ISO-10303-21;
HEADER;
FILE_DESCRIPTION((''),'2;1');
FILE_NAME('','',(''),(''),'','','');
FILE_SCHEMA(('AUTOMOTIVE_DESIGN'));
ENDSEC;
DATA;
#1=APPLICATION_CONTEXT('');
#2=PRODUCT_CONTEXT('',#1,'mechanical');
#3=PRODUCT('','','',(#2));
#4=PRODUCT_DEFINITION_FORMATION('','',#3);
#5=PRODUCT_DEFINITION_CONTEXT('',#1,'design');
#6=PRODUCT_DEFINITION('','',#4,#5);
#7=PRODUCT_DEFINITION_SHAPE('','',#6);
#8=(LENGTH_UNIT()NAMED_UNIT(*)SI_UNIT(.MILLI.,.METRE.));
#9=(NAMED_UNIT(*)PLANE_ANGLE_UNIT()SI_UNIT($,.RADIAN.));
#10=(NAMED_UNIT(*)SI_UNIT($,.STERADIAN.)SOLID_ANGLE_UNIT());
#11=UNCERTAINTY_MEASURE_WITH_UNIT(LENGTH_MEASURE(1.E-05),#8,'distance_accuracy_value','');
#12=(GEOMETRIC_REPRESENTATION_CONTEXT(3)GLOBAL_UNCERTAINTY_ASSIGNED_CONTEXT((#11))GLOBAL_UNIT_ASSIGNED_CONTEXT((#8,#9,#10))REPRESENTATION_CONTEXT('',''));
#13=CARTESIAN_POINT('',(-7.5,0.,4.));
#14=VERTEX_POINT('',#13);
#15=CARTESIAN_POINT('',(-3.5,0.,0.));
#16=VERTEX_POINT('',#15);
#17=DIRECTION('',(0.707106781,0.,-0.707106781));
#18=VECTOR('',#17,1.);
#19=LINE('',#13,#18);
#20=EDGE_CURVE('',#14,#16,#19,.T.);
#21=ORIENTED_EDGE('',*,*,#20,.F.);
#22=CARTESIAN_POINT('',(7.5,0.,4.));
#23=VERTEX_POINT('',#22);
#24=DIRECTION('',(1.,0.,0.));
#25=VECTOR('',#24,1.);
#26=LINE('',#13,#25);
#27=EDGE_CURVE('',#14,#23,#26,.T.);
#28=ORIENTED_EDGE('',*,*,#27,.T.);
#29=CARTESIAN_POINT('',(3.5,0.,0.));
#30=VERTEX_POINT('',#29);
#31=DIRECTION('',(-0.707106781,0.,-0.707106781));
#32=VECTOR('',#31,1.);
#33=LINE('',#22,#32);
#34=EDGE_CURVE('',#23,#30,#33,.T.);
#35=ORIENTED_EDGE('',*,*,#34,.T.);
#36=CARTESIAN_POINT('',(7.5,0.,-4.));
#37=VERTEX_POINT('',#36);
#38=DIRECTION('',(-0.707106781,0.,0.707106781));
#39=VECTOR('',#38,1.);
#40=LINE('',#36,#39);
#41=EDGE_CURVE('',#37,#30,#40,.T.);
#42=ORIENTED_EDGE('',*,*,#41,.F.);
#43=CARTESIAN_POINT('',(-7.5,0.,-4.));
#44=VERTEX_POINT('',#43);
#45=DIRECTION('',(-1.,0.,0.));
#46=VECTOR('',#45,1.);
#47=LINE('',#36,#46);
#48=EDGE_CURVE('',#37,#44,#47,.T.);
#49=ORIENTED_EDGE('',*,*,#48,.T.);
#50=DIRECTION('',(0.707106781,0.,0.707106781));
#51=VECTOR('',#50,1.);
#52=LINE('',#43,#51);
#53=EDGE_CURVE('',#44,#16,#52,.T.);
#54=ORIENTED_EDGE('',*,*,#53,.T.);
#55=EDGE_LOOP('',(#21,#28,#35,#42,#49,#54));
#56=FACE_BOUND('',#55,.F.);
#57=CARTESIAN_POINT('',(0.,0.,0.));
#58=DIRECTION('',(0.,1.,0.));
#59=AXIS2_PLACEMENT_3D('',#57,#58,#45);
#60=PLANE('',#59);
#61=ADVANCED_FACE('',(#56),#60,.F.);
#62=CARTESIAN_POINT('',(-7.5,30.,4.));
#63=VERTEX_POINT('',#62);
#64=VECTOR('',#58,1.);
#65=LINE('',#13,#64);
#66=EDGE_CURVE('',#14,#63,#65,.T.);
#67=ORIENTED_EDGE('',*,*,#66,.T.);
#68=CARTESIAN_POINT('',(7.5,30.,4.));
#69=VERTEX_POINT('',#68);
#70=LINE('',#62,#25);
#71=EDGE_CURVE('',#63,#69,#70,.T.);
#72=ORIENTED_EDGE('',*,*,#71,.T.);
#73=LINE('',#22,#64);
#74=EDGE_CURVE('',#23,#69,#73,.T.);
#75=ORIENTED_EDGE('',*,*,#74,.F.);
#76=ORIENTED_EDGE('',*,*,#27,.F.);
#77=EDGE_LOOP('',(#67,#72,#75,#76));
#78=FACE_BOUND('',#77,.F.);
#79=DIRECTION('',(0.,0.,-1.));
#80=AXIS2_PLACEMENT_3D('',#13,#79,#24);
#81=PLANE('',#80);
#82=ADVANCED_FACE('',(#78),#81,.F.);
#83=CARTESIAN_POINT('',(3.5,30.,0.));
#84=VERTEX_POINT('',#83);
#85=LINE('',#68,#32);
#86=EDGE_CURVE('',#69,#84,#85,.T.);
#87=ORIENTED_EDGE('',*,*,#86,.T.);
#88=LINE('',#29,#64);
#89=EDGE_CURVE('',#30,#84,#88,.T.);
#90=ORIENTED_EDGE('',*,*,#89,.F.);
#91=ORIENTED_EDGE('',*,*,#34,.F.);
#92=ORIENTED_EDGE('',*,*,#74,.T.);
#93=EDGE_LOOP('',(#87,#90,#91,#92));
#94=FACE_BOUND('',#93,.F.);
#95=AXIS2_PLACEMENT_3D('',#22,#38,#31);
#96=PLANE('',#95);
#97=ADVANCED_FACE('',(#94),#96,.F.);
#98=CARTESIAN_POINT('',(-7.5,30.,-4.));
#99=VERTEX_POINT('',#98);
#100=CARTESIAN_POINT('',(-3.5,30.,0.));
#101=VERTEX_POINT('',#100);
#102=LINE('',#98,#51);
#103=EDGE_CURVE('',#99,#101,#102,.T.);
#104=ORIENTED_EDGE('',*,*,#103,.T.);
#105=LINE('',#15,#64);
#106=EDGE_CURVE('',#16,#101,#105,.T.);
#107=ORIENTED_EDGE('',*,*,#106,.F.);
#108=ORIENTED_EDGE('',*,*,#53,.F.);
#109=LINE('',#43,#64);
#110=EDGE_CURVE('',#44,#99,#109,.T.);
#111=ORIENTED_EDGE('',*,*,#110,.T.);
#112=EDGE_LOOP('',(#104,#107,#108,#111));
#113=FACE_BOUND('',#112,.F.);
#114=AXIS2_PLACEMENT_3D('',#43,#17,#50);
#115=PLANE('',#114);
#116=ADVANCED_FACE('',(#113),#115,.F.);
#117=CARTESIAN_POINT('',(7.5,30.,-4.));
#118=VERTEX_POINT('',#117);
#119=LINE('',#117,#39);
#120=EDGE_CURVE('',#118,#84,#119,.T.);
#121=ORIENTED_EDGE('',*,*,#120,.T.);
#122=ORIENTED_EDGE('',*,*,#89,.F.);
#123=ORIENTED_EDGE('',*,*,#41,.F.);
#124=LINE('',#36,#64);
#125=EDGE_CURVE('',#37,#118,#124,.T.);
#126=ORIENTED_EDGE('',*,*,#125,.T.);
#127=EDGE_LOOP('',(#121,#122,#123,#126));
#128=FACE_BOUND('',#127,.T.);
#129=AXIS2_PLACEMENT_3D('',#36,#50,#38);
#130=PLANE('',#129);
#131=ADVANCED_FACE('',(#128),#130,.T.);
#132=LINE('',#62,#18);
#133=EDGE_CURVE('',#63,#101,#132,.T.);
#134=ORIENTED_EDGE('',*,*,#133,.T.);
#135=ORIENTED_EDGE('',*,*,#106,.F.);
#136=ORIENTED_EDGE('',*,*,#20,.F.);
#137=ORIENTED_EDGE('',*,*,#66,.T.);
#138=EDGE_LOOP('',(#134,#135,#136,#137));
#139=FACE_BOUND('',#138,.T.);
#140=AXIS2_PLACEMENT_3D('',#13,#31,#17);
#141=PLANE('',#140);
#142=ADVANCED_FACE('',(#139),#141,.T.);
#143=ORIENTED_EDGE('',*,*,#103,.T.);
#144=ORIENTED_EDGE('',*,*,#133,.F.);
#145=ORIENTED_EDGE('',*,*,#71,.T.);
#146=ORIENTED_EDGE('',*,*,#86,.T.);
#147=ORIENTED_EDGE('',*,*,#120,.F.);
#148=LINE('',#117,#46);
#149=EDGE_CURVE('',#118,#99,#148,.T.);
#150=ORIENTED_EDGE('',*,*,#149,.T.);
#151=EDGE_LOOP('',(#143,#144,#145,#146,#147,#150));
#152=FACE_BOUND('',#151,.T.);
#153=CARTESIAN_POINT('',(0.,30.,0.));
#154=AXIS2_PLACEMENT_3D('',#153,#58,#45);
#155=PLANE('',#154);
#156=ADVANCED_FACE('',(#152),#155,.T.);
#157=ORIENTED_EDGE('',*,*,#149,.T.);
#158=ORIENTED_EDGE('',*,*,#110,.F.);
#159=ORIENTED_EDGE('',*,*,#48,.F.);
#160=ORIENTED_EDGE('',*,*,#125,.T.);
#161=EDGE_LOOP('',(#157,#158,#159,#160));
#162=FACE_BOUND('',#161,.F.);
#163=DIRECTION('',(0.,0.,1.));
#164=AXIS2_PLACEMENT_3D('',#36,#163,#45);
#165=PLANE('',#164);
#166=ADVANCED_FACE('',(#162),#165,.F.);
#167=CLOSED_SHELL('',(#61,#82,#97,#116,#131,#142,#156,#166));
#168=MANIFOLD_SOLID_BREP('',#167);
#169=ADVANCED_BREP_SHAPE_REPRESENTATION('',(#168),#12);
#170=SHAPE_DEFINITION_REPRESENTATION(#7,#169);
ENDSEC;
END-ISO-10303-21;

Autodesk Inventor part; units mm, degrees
ref_plane "YZ Plane" through (0, 0, 0) normal (1, 0, 0) x (0, 1, 0)
ref_plane "XZ Plane" through (0, 0, 0) normal (0, 1, 0) x (-1, 0, 0)
ref_plane "XY Plane" through (0, 0, 0) normal (0, 0, 1) x (1, 0, 0)
sketch "Skizze1" plane through (0, 0, 0) normal (0, 1, 0) x (-1, 0, 0)
  line L0 (7.5, 4) -> (-7.5, 4)
  line L1 (3.5, 0) -> (-3.5, 0)
  line L2 (7.5, 4) -> (3.5, 0)
  line L3 (-7.5, 4) -> (-3.5, 0)
  line L4 (11.5, 0) -> (-11.041, 0) construction
  line L5 (-7.5, -4) -> (-3.5, 0)
  line L6 (-7.5, -4) -> (7.5, -4)
  line L7 (7.5, -4) -> (3.5, 0)
  point P0 (0, 0)
  point P1 (0, 0)
  point P2 (-3.5, 0)
  dimension "d1" = 15
  dimension "d3" = 7
  dimension "d4" = 3.5
  dimension "d5" = 7.5
  dimension "d8" = 360
extrude "Extrusion1" add sketch "Skizze1" along normal blind 30
equation "\"Biegeradius\" = Stärke"
equation "\"BreiteBiegungsfreistellung\" = Stärke"
equation "\"TiefeBiegungsfreistellung\" = 0.5 * Stärke"
equation "\"GrößeEckenfreistellung\" = 4 * Stärke"
equation "\"MinimalRest\" = 2 * Stärke"
equation "\"Übergangsradius\" = Biegeradius"
equation "\"JacobiRadiusGröße\" = Biegeradius"
equation "\"Abstandsgröße\" = Stärke"
equation "\"Stärke\" = 0.5"
properties part number "Verbindungsstück_RescueErhöhungen"
